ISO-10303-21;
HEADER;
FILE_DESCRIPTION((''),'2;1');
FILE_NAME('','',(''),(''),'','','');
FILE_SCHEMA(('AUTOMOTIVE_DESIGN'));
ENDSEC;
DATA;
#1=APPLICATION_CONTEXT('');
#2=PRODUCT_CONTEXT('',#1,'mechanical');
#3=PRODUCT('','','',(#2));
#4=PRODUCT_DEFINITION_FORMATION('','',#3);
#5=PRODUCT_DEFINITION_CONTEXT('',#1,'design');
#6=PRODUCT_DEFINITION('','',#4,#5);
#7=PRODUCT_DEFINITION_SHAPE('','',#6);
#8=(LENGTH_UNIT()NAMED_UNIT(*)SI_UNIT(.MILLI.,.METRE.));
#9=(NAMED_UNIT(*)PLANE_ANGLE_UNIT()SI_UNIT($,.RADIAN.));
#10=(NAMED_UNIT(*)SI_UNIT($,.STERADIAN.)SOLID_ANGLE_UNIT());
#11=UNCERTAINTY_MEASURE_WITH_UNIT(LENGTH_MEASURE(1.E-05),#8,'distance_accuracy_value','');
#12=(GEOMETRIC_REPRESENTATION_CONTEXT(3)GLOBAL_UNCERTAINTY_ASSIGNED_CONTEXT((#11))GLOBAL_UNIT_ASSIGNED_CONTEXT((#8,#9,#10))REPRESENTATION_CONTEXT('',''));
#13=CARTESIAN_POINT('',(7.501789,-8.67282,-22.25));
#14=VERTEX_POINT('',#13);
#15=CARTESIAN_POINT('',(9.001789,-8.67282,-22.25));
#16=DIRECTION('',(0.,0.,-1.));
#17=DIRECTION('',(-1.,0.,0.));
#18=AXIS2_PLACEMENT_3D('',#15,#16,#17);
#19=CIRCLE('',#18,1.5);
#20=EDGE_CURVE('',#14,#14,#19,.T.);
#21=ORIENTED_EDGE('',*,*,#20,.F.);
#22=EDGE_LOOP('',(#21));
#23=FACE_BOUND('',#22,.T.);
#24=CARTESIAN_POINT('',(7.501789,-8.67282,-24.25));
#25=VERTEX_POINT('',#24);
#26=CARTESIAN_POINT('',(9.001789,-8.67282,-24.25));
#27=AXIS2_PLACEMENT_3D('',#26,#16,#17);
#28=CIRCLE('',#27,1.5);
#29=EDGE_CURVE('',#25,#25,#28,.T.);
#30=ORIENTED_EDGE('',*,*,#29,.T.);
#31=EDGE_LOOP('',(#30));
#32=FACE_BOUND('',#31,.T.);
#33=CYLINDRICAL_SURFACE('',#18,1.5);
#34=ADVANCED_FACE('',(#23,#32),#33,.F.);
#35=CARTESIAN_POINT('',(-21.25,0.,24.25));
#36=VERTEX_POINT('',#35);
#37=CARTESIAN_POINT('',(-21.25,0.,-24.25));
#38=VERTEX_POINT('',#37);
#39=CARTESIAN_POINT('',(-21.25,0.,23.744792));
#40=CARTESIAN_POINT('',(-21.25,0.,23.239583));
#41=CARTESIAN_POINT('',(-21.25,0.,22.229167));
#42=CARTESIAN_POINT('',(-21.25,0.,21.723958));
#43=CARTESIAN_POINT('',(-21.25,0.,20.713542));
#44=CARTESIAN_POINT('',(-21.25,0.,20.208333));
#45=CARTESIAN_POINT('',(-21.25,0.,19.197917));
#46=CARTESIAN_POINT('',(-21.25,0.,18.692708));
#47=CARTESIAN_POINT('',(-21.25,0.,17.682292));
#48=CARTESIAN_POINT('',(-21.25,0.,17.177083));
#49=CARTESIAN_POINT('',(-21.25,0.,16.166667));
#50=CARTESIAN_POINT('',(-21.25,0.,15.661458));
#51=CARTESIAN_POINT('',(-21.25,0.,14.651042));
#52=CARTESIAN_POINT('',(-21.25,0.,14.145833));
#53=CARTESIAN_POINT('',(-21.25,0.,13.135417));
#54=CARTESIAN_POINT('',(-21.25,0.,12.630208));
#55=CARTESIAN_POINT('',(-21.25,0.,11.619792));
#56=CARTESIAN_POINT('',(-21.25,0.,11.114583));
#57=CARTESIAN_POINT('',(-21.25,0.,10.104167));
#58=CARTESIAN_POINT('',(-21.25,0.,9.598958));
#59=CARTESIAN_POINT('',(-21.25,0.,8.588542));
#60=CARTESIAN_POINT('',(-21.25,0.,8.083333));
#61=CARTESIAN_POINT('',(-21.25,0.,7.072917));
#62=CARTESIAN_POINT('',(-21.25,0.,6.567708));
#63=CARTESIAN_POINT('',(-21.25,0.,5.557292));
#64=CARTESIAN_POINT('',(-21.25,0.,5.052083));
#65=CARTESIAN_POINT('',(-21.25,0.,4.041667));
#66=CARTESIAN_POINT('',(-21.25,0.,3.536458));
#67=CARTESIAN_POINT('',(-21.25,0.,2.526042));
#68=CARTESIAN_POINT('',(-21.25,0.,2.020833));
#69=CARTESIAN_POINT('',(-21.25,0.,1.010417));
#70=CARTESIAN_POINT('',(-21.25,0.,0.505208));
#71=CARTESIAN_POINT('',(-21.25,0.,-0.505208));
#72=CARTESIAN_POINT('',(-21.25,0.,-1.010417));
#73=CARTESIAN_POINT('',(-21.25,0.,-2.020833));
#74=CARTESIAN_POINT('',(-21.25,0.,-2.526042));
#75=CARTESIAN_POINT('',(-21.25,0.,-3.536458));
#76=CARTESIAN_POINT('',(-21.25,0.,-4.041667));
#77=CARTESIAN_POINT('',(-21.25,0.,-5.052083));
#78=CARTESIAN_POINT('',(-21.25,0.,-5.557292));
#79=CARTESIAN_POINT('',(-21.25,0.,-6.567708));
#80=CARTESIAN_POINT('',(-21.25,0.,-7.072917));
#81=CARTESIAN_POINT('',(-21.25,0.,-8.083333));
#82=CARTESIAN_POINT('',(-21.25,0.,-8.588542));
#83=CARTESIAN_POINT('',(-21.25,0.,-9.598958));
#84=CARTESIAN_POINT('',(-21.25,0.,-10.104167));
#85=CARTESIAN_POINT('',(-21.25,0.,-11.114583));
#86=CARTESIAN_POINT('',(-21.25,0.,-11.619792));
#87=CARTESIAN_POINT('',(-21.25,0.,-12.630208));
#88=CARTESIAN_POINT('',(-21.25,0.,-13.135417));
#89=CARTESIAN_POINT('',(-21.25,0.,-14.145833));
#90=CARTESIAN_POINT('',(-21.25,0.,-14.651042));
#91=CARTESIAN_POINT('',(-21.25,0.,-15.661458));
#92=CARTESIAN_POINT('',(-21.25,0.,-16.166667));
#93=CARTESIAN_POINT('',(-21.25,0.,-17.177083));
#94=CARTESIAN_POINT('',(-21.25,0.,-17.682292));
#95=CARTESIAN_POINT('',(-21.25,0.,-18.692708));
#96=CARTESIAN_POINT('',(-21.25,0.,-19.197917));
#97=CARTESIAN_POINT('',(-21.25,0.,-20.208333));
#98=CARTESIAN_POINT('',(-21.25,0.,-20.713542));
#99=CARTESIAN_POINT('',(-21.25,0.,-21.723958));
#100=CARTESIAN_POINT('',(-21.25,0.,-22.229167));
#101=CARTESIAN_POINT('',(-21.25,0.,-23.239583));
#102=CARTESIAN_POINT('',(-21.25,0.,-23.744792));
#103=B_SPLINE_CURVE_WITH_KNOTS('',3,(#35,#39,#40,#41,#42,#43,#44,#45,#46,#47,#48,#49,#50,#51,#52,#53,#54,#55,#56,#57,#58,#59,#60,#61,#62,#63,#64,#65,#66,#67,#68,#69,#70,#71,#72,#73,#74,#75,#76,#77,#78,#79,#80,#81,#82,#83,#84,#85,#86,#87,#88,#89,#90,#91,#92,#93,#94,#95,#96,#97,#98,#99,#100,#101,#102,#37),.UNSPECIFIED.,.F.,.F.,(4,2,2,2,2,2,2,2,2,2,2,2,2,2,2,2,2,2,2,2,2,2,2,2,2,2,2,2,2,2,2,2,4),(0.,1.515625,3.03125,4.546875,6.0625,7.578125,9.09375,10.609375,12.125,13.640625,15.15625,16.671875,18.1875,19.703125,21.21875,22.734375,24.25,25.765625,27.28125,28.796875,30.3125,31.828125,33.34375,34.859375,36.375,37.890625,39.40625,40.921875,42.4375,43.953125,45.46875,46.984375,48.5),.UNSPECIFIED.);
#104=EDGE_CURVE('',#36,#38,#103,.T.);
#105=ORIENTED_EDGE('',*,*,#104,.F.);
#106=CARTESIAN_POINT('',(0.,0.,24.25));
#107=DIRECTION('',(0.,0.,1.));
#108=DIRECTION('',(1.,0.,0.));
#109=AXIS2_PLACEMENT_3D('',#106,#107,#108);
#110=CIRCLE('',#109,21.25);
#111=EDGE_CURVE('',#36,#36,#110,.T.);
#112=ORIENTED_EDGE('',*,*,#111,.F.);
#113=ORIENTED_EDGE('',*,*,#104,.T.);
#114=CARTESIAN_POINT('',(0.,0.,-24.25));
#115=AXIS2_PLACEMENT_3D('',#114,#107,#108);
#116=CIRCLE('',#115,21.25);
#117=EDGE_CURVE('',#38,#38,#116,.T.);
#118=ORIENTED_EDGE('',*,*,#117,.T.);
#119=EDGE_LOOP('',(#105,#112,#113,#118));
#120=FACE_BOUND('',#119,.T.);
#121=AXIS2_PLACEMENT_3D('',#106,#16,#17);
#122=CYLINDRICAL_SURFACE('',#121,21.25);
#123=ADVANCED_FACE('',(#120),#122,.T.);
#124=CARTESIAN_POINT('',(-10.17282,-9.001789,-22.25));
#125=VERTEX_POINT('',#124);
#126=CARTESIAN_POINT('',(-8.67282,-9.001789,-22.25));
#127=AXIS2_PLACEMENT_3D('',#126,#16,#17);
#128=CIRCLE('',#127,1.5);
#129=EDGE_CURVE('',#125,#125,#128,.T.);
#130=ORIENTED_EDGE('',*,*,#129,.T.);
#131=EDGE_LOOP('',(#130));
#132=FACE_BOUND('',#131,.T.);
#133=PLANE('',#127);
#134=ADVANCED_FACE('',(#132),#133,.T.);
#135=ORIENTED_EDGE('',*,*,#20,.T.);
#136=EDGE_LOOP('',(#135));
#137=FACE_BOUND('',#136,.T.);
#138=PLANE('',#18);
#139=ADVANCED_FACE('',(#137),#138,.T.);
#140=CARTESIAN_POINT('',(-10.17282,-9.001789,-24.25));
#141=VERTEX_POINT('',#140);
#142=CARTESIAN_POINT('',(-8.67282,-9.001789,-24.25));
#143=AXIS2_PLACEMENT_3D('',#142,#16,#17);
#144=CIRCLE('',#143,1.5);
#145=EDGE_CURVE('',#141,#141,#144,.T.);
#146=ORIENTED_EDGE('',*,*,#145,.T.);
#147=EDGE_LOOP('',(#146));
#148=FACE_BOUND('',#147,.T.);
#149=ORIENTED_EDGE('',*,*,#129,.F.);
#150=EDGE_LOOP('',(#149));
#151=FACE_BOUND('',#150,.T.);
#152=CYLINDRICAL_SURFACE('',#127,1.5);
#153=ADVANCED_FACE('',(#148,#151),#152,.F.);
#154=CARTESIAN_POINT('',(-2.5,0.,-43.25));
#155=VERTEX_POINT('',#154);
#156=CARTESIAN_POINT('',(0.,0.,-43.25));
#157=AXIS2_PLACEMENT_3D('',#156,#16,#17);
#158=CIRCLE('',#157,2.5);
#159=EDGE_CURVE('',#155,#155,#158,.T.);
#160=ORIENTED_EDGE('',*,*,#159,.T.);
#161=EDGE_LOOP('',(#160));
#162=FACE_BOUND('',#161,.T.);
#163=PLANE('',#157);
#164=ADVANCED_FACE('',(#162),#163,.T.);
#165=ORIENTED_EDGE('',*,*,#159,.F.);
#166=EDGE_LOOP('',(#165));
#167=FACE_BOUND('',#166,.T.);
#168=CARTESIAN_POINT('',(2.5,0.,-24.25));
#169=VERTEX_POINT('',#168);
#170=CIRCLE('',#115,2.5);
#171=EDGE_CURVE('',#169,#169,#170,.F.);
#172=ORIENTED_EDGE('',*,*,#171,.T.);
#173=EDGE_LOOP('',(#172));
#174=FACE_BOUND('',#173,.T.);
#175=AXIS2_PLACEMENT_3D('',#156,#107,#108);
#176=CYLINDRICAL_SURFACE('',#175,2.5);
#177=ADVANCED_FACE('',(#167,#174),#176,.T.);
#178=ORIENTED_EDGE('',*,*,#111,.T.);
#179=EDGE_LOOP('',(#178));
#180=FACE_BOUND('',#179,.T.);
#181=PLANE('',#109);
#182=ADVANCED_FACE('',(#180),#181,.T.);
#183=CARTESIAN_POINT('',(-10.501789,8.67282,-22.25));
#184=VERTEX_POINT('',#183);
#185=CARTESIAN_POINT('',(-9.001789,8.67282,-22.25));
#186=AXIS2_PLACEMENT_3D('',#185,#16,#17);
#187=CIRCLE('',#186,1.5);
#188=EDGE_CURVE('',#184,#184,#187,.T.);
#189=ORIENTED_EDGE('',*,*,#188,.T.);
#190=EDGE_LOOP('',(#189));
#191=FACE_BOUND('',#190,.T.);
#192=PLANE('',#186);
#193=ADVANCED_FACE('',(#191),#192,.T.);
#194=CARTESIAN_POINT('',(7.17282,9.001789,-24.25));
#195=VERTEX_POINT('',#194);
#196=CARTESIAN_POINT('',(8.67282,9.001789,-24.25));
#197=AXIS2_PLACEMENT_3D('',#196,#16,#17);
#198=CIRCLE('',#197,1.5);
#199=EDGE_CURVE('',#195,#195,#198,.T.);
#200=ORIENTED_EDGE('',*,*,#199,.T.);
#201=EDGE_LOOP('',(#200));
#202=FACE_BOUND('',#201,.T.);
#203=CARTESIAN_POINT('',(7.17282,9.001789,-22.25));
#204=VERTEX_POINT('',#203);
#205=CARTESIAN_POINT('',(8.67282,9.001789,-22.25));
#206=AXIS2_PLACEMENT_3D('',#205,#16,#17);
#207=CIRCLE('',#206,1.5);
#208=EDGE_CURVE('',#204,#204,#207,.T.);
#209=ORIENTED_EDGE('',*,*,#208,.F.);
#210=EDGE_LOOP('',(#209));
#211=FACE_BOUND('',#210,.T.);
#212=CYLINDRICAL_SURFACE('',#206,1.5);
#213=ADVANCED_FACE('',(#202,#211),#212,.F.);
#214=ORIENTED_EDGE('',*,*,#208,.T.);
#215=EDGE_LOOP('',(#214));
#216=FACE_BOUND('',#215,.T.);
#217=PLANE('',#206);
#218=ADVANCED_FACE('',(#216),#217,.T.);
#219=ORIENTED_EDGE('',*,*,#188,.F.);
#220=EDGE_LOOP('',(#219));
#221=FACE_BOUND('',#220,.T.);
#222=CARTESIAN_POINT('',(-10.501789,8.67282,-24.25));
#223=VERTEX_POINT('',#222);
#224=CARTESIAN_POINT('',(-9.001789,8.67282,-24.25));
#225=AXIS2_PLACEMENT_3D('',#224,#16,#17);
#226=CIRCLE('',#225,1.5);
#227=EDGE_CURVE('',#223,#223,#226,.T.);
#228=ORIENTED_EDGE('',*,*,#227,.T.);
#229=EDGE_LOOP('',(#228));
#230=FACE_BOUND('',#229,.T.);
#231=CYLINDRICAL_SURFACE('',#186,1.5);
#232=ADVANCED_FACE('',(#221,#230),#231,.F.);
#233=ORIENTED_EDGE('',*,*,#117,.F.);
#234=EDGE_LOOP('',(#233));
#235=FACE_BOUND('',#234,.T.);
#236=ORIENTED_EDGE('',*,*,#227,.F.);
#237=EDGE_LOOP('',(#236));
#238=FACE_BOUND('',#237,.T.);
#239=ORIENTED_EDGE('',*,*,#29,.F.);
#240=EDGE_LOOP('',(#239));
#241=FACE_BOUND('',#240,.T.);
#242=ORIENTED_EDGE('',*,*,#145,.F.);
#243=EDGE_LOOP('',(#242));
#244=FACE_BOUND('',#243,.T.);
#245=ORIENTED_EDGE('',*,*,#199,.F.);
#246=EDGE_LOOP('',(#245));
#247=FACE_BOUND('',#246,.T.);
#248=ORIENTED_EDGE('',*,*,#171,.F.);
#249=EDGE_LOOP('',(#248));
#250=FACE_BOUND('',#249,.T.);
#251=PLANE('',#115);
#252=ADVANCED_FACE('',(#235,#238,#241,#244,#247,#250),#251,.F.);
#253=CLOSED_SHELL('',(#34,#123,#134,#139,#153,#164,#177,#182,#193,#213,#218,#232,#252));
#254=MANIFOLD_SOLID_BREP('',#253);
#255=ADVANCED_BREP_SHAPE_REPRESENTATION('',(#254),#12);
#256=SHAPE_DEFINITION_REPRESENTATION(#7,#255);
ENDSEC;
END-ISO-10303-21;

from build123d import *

# Parameters (mm, degrees)
ESBO_O1_R                = 21.25
RESSALTO_EXTRUS_O1_DEPTH = 24.25
ESBO_O2_R                = 2.5
RESSALTO_EXTRUS_O2_DEPTH = 19
ESBO_O3_R                = 1.5
CORTE_EXTRUS_O1_DEPTH    = 2


with BuildPart() as part:
    # Esboço1 → Ressalto-extrusão1 (new, symmetric)
    with BuildSketch(Plane.XY):
        with Locations(Location((0, 0, 0), (0, 0, 180))):
            Circle(ESBO_O1_R)
    extrude(amount=RESSALTO_EXTRUS_O1_DEPTH, both=True)

    # Esboço2 → Ressalto-extrusão2 (add)
    with BuildSketch(Plane(origin=(0, 0, -24.25), x_dir=(-1, 0, 0), z_dir=(0, 0, -1))):
        with Locations(Location((0, 0, 0), (0, 0, 180))):
            Circle(ESBO_O2_R)
    extrude(amount=RESSALTO_EXTRUS_O2_DEPTH)

    # Esboço3 → Corte-extrusão1 (cut)
    with BuildSketch(Plane(origin=(0, 0, -24.25), x_dir=(-1, 0, 0), z_dir=(0, 0, -1))):
        with Locations((-8.672819651, 9.001788672)):
            Circle(ESBO_O3_R)
        with Locations((9.001788672, 8.672819651)):
            Circle(ESBO_O3_R)
        with Locations((8.672819651, -9.001788672)):
            Circle(ESBO_O3_R)
        with Locations((-9.001788672, -8.672819651)):
            Circle(ESBO_O3_R)
    extrude(amount=-CORTE_EXTRUS_O1_DEPTH, mode=Mode.SUBTRACT)


solid = part.part
